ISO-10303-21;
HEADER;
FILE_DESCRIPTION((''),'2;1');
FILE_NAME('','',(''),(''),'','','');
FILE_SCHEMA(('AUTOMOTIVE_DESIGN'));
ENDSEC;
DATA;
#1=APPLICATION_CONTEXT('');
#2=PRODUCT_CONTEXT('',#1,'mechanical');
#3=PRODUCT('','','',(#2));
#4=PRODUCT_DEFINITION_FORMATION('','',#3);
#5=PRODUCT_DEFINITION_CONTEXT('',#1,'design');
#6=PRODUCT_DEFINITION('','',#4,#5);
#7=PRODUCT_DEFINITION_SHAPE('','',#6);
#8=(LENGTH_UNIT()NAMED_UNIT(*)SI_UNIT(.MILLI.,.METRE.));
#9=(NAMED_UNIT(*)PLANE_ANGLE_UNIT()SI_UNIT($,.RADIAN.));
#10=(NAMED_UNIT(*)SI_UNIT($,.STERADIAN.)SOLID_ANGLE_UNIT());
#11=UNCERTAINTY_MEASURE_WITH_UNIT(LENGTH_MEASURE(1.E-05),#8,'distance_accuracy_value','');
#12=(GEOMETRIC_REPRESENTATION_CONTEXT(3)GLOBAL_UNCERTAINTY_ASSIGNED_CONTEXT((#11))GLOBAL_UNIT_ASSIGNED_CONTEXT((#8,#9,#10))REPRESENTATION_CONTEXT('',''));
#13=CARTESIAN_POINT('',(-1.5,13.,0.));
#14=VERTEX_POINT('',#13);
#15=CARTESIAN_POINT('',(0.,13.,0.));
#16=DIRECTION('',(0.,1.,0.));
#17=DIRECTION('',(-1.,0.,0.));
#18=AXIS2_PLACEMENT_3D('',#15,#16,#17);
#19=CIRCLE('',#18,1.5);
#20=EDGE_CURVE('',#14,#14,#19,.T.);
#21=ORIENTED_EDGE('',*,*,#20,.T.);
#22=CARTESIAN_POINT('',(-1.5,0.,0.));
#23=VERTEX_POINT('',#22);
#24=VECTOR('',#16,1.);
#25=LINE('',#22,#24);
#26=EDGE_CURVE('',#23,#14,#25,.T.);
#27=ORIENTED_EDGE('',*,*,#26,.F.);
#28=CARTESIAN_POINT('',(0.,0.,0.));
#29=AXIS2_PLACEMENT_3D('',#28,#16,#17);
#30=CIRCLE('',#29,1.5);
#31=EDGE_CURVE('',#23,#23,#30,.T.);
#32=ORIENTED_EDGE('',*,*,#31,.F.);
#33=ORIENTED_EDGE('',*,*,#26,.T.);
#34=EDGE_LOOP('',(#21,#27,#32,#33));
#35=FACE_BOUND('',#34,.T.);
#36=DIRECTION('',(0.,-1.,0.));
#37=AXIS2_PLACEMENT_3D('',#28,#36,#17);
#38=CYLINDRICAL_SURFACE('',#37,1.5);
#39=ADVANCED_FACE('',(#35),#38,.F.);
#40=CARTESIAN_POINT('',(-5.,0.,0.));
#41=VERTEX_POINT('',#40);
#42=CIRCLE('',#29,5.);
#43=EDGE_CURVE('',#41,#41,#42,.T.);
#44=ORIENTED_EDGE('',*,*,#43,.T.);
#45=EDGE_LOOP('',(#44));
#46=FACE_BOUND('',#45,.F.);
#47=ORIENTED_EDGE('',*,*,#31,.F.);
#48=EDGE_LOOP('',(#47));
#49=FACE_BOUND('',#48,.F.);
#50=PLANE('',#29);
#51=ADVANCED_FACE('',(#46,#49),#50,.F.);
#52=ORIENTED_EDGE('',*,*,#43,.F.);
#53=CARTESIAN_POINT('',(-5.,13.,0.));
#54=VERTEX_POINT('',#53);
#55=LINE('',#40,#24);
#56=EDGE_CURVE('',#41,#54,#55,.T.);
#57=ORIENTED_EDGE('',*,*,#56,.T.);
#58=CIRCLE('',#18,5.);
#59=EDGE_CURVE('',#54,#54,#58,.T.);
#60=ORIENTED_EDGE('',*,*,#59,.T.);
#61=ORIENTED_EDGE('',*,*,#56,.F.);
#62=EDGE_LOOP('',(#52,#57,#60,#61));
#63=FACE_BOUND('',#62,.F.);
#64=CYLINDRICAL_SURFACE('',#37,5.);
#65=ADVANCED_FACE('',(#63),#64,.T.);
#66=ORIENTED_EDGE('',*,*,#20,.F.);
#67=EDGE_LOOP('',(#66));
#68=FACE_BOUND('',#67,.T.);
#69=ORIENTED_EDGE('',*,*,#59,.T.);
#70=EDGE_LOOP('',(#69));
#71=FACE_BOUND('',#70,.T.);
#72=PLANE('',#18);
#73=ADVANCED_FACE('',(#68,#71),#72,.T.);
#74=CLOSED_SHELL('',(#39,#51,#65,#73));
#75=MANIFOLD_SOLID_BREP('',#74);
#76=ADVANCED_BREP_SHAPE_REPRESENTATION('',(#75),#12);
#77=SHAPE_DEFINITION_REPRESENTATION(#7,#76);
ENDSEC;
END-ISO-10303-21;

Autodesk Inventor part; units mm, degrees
ref_plane "YZ Plane" through (0, 0, 0) normal (1, 0, 0) x (0, 1, 0)
ref_plane "XZ Plane" through (0, 0, 0) normal (0, 1, 0) x (-1, 0, 0)
ref_plane "XY Plane" through (0, 0, 0) normal (0, 0, 1) x (1, 0, 0)
sketch "Sketch1" plane through (0, 0, 0) normal (0, 1, 0) x (-1, 0, 0)
  circle A0 centre (0, 0) radius 5
  circle A1 centre (0, 0) radius 1.5
  dimension "d0" = 10
  dimension "d1" = 3
extrude "Extrusion1" add sketch "Sketch1" along normal blind 13
properties part number "Vacuum_fan_offset"
